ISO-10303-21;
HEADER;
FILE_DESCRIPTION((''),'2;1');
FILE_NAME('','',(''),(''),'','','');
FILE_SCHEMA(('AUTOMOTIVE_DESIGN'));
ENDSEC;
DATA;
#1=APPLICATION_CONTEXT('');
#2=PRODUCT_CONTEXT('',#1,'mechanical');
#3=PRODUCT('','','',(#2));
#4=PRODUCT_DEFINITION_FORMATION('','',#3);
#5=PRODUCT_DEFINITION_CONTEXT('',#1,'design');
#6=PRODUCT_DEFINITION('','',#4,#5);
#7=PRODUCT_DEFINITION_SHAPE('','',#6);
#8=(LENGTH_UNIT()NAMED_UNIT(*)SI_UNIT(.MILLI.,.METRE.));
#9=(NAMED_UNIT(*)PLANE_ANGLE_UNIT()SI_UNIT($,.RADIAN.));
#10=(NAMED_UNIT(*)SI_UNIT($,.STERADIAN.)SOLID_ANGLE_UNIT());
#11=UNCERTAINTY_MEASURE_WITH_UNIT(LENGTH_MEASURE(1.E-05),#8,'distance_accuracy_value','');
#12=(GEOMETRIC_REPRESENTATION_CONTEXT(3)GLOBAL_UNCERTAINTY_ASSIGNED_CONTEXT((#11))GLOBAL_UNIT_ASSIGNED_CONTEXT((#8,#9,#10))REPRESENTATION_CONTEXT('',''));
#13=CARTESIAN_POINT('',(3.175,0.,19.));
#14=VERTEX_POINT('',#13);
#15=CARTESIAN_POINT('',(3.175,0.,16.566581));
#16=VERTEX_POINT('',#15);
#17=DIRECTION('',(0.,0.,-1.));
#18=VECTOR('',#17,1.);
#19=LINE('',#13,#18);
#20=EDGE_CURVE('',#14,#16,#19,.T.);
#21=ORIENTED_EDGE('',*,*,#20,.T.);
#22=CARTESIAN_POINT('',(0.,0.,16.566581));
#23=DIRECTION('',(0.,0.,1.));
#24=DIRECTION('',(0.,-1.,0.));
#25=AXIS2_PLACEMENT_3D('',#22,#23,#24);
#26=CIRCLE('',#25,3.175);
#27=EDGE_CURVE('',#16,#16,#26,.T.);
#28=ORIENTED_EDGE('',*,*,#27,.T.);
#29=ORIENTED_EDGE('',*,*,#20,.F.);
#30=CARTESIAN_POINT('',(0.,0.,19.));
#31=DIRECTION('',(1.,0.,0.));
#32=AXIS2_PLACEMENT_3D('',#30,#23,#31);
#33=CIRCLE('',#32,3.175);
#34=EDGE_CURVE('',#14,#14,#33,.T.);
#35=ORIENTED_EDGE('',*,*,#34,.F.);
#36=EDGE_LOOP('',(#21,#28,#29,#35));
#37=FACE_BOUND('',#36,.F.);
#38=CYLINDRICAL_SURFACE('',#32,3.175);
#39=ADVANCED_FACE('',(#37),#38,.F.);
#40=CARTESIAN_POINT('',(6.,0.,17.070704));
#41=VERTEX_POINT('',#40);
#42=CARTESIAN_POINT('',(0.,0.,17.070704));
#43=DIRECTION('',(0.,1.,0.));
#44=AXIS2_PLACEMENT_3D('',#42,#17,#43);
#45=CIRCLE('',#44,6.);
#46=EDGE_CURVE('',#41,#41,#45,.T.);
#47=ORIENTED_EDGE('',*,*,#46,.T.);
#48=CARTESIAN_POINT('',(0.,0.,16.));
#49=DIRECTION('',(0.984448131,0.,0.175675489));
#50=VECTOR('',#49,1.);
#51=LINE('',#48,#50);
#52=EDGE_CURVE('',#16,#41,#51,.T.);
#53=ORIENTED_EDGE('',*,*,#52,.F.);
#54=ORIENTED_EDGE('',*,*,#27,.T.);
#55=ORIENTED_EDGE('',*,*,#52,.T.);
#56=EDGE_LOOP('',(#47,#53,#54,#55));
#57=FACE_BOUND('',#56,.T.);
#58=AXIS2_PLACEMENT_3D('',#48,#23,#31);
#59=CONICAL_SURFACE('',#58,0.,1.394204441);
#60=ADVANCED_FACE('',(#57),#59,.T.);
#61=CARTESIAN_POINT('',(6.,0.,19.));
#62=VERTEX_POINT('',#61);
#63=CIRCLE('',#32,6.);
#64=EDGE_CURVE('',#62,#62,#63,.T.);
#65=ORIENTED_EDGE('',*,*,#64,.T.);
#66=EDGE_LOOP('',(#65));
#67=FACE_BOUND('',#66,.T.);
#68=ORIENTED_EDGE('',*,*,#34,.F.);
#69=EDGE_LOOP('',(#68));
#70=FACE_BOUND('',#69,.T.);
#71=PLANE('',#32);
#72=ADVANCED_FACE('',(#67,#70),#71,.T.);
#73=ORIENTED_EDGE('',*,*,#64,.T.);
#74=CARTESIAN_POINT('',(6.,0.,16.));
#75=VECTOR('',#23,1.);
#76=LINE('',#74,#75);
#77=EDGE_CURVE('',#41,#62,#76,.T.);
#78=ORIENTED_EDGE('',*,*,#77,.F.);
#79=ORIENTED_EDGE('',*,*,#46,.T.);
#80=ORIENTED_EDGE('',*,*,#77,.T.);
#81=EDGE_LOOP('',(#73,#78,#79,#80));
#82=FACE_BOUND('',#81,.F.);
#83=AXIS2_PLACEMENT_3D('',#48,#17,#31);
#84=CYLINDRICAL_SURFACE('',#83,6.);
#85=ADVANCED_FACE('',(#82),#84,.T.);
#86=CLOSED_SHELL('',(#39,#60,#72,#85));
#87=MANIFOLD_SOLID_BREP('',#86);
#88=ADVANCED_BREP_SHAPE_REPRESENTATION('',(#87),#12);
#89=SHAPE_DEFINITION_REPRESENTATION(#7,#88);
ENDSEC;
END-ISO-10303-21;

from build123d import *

# Parameters (mm, degrees)
SKETCH043_R     = 6
PAD021_DEPTH    = 3
SKETCH044_R     = 3.175
POCKET021_DEPTH = 3.001


with BuildPart() as part:
    # Sketch043 → Pad021 (new body)
    with BuildSketch(Plane.XY):
        Circle(SKETCH043_R)
    extrude(amount=PAD021_DEPTH)

    # Sketch044 (on Face3 of Pad021) → Pocket021 (cut, through all)
    with BuildSketch(Plane.XY.offset(3)):
        Circle(SKETCH044_R)
    extrude(amount=-POCKET021_DEPTH, mode=Mode.SUBTRACT)

    # Sketch045 → Groove001 (revolve, cut)
    with BuildSketch(Plane.XZ):
        Polygon((0, 0), (12.888196, 2.299908), (13.181708, 0), align=None)
    revolve(axis=Axis((0, 0, 0), (0, 0, 1)), mode=Mode.SUBTRACT)


with BuildPart() as part_1:
    # Body010 placement: moved
    add(part.part.moved(Location((0, 0, 16))))


solid = part_1.part
